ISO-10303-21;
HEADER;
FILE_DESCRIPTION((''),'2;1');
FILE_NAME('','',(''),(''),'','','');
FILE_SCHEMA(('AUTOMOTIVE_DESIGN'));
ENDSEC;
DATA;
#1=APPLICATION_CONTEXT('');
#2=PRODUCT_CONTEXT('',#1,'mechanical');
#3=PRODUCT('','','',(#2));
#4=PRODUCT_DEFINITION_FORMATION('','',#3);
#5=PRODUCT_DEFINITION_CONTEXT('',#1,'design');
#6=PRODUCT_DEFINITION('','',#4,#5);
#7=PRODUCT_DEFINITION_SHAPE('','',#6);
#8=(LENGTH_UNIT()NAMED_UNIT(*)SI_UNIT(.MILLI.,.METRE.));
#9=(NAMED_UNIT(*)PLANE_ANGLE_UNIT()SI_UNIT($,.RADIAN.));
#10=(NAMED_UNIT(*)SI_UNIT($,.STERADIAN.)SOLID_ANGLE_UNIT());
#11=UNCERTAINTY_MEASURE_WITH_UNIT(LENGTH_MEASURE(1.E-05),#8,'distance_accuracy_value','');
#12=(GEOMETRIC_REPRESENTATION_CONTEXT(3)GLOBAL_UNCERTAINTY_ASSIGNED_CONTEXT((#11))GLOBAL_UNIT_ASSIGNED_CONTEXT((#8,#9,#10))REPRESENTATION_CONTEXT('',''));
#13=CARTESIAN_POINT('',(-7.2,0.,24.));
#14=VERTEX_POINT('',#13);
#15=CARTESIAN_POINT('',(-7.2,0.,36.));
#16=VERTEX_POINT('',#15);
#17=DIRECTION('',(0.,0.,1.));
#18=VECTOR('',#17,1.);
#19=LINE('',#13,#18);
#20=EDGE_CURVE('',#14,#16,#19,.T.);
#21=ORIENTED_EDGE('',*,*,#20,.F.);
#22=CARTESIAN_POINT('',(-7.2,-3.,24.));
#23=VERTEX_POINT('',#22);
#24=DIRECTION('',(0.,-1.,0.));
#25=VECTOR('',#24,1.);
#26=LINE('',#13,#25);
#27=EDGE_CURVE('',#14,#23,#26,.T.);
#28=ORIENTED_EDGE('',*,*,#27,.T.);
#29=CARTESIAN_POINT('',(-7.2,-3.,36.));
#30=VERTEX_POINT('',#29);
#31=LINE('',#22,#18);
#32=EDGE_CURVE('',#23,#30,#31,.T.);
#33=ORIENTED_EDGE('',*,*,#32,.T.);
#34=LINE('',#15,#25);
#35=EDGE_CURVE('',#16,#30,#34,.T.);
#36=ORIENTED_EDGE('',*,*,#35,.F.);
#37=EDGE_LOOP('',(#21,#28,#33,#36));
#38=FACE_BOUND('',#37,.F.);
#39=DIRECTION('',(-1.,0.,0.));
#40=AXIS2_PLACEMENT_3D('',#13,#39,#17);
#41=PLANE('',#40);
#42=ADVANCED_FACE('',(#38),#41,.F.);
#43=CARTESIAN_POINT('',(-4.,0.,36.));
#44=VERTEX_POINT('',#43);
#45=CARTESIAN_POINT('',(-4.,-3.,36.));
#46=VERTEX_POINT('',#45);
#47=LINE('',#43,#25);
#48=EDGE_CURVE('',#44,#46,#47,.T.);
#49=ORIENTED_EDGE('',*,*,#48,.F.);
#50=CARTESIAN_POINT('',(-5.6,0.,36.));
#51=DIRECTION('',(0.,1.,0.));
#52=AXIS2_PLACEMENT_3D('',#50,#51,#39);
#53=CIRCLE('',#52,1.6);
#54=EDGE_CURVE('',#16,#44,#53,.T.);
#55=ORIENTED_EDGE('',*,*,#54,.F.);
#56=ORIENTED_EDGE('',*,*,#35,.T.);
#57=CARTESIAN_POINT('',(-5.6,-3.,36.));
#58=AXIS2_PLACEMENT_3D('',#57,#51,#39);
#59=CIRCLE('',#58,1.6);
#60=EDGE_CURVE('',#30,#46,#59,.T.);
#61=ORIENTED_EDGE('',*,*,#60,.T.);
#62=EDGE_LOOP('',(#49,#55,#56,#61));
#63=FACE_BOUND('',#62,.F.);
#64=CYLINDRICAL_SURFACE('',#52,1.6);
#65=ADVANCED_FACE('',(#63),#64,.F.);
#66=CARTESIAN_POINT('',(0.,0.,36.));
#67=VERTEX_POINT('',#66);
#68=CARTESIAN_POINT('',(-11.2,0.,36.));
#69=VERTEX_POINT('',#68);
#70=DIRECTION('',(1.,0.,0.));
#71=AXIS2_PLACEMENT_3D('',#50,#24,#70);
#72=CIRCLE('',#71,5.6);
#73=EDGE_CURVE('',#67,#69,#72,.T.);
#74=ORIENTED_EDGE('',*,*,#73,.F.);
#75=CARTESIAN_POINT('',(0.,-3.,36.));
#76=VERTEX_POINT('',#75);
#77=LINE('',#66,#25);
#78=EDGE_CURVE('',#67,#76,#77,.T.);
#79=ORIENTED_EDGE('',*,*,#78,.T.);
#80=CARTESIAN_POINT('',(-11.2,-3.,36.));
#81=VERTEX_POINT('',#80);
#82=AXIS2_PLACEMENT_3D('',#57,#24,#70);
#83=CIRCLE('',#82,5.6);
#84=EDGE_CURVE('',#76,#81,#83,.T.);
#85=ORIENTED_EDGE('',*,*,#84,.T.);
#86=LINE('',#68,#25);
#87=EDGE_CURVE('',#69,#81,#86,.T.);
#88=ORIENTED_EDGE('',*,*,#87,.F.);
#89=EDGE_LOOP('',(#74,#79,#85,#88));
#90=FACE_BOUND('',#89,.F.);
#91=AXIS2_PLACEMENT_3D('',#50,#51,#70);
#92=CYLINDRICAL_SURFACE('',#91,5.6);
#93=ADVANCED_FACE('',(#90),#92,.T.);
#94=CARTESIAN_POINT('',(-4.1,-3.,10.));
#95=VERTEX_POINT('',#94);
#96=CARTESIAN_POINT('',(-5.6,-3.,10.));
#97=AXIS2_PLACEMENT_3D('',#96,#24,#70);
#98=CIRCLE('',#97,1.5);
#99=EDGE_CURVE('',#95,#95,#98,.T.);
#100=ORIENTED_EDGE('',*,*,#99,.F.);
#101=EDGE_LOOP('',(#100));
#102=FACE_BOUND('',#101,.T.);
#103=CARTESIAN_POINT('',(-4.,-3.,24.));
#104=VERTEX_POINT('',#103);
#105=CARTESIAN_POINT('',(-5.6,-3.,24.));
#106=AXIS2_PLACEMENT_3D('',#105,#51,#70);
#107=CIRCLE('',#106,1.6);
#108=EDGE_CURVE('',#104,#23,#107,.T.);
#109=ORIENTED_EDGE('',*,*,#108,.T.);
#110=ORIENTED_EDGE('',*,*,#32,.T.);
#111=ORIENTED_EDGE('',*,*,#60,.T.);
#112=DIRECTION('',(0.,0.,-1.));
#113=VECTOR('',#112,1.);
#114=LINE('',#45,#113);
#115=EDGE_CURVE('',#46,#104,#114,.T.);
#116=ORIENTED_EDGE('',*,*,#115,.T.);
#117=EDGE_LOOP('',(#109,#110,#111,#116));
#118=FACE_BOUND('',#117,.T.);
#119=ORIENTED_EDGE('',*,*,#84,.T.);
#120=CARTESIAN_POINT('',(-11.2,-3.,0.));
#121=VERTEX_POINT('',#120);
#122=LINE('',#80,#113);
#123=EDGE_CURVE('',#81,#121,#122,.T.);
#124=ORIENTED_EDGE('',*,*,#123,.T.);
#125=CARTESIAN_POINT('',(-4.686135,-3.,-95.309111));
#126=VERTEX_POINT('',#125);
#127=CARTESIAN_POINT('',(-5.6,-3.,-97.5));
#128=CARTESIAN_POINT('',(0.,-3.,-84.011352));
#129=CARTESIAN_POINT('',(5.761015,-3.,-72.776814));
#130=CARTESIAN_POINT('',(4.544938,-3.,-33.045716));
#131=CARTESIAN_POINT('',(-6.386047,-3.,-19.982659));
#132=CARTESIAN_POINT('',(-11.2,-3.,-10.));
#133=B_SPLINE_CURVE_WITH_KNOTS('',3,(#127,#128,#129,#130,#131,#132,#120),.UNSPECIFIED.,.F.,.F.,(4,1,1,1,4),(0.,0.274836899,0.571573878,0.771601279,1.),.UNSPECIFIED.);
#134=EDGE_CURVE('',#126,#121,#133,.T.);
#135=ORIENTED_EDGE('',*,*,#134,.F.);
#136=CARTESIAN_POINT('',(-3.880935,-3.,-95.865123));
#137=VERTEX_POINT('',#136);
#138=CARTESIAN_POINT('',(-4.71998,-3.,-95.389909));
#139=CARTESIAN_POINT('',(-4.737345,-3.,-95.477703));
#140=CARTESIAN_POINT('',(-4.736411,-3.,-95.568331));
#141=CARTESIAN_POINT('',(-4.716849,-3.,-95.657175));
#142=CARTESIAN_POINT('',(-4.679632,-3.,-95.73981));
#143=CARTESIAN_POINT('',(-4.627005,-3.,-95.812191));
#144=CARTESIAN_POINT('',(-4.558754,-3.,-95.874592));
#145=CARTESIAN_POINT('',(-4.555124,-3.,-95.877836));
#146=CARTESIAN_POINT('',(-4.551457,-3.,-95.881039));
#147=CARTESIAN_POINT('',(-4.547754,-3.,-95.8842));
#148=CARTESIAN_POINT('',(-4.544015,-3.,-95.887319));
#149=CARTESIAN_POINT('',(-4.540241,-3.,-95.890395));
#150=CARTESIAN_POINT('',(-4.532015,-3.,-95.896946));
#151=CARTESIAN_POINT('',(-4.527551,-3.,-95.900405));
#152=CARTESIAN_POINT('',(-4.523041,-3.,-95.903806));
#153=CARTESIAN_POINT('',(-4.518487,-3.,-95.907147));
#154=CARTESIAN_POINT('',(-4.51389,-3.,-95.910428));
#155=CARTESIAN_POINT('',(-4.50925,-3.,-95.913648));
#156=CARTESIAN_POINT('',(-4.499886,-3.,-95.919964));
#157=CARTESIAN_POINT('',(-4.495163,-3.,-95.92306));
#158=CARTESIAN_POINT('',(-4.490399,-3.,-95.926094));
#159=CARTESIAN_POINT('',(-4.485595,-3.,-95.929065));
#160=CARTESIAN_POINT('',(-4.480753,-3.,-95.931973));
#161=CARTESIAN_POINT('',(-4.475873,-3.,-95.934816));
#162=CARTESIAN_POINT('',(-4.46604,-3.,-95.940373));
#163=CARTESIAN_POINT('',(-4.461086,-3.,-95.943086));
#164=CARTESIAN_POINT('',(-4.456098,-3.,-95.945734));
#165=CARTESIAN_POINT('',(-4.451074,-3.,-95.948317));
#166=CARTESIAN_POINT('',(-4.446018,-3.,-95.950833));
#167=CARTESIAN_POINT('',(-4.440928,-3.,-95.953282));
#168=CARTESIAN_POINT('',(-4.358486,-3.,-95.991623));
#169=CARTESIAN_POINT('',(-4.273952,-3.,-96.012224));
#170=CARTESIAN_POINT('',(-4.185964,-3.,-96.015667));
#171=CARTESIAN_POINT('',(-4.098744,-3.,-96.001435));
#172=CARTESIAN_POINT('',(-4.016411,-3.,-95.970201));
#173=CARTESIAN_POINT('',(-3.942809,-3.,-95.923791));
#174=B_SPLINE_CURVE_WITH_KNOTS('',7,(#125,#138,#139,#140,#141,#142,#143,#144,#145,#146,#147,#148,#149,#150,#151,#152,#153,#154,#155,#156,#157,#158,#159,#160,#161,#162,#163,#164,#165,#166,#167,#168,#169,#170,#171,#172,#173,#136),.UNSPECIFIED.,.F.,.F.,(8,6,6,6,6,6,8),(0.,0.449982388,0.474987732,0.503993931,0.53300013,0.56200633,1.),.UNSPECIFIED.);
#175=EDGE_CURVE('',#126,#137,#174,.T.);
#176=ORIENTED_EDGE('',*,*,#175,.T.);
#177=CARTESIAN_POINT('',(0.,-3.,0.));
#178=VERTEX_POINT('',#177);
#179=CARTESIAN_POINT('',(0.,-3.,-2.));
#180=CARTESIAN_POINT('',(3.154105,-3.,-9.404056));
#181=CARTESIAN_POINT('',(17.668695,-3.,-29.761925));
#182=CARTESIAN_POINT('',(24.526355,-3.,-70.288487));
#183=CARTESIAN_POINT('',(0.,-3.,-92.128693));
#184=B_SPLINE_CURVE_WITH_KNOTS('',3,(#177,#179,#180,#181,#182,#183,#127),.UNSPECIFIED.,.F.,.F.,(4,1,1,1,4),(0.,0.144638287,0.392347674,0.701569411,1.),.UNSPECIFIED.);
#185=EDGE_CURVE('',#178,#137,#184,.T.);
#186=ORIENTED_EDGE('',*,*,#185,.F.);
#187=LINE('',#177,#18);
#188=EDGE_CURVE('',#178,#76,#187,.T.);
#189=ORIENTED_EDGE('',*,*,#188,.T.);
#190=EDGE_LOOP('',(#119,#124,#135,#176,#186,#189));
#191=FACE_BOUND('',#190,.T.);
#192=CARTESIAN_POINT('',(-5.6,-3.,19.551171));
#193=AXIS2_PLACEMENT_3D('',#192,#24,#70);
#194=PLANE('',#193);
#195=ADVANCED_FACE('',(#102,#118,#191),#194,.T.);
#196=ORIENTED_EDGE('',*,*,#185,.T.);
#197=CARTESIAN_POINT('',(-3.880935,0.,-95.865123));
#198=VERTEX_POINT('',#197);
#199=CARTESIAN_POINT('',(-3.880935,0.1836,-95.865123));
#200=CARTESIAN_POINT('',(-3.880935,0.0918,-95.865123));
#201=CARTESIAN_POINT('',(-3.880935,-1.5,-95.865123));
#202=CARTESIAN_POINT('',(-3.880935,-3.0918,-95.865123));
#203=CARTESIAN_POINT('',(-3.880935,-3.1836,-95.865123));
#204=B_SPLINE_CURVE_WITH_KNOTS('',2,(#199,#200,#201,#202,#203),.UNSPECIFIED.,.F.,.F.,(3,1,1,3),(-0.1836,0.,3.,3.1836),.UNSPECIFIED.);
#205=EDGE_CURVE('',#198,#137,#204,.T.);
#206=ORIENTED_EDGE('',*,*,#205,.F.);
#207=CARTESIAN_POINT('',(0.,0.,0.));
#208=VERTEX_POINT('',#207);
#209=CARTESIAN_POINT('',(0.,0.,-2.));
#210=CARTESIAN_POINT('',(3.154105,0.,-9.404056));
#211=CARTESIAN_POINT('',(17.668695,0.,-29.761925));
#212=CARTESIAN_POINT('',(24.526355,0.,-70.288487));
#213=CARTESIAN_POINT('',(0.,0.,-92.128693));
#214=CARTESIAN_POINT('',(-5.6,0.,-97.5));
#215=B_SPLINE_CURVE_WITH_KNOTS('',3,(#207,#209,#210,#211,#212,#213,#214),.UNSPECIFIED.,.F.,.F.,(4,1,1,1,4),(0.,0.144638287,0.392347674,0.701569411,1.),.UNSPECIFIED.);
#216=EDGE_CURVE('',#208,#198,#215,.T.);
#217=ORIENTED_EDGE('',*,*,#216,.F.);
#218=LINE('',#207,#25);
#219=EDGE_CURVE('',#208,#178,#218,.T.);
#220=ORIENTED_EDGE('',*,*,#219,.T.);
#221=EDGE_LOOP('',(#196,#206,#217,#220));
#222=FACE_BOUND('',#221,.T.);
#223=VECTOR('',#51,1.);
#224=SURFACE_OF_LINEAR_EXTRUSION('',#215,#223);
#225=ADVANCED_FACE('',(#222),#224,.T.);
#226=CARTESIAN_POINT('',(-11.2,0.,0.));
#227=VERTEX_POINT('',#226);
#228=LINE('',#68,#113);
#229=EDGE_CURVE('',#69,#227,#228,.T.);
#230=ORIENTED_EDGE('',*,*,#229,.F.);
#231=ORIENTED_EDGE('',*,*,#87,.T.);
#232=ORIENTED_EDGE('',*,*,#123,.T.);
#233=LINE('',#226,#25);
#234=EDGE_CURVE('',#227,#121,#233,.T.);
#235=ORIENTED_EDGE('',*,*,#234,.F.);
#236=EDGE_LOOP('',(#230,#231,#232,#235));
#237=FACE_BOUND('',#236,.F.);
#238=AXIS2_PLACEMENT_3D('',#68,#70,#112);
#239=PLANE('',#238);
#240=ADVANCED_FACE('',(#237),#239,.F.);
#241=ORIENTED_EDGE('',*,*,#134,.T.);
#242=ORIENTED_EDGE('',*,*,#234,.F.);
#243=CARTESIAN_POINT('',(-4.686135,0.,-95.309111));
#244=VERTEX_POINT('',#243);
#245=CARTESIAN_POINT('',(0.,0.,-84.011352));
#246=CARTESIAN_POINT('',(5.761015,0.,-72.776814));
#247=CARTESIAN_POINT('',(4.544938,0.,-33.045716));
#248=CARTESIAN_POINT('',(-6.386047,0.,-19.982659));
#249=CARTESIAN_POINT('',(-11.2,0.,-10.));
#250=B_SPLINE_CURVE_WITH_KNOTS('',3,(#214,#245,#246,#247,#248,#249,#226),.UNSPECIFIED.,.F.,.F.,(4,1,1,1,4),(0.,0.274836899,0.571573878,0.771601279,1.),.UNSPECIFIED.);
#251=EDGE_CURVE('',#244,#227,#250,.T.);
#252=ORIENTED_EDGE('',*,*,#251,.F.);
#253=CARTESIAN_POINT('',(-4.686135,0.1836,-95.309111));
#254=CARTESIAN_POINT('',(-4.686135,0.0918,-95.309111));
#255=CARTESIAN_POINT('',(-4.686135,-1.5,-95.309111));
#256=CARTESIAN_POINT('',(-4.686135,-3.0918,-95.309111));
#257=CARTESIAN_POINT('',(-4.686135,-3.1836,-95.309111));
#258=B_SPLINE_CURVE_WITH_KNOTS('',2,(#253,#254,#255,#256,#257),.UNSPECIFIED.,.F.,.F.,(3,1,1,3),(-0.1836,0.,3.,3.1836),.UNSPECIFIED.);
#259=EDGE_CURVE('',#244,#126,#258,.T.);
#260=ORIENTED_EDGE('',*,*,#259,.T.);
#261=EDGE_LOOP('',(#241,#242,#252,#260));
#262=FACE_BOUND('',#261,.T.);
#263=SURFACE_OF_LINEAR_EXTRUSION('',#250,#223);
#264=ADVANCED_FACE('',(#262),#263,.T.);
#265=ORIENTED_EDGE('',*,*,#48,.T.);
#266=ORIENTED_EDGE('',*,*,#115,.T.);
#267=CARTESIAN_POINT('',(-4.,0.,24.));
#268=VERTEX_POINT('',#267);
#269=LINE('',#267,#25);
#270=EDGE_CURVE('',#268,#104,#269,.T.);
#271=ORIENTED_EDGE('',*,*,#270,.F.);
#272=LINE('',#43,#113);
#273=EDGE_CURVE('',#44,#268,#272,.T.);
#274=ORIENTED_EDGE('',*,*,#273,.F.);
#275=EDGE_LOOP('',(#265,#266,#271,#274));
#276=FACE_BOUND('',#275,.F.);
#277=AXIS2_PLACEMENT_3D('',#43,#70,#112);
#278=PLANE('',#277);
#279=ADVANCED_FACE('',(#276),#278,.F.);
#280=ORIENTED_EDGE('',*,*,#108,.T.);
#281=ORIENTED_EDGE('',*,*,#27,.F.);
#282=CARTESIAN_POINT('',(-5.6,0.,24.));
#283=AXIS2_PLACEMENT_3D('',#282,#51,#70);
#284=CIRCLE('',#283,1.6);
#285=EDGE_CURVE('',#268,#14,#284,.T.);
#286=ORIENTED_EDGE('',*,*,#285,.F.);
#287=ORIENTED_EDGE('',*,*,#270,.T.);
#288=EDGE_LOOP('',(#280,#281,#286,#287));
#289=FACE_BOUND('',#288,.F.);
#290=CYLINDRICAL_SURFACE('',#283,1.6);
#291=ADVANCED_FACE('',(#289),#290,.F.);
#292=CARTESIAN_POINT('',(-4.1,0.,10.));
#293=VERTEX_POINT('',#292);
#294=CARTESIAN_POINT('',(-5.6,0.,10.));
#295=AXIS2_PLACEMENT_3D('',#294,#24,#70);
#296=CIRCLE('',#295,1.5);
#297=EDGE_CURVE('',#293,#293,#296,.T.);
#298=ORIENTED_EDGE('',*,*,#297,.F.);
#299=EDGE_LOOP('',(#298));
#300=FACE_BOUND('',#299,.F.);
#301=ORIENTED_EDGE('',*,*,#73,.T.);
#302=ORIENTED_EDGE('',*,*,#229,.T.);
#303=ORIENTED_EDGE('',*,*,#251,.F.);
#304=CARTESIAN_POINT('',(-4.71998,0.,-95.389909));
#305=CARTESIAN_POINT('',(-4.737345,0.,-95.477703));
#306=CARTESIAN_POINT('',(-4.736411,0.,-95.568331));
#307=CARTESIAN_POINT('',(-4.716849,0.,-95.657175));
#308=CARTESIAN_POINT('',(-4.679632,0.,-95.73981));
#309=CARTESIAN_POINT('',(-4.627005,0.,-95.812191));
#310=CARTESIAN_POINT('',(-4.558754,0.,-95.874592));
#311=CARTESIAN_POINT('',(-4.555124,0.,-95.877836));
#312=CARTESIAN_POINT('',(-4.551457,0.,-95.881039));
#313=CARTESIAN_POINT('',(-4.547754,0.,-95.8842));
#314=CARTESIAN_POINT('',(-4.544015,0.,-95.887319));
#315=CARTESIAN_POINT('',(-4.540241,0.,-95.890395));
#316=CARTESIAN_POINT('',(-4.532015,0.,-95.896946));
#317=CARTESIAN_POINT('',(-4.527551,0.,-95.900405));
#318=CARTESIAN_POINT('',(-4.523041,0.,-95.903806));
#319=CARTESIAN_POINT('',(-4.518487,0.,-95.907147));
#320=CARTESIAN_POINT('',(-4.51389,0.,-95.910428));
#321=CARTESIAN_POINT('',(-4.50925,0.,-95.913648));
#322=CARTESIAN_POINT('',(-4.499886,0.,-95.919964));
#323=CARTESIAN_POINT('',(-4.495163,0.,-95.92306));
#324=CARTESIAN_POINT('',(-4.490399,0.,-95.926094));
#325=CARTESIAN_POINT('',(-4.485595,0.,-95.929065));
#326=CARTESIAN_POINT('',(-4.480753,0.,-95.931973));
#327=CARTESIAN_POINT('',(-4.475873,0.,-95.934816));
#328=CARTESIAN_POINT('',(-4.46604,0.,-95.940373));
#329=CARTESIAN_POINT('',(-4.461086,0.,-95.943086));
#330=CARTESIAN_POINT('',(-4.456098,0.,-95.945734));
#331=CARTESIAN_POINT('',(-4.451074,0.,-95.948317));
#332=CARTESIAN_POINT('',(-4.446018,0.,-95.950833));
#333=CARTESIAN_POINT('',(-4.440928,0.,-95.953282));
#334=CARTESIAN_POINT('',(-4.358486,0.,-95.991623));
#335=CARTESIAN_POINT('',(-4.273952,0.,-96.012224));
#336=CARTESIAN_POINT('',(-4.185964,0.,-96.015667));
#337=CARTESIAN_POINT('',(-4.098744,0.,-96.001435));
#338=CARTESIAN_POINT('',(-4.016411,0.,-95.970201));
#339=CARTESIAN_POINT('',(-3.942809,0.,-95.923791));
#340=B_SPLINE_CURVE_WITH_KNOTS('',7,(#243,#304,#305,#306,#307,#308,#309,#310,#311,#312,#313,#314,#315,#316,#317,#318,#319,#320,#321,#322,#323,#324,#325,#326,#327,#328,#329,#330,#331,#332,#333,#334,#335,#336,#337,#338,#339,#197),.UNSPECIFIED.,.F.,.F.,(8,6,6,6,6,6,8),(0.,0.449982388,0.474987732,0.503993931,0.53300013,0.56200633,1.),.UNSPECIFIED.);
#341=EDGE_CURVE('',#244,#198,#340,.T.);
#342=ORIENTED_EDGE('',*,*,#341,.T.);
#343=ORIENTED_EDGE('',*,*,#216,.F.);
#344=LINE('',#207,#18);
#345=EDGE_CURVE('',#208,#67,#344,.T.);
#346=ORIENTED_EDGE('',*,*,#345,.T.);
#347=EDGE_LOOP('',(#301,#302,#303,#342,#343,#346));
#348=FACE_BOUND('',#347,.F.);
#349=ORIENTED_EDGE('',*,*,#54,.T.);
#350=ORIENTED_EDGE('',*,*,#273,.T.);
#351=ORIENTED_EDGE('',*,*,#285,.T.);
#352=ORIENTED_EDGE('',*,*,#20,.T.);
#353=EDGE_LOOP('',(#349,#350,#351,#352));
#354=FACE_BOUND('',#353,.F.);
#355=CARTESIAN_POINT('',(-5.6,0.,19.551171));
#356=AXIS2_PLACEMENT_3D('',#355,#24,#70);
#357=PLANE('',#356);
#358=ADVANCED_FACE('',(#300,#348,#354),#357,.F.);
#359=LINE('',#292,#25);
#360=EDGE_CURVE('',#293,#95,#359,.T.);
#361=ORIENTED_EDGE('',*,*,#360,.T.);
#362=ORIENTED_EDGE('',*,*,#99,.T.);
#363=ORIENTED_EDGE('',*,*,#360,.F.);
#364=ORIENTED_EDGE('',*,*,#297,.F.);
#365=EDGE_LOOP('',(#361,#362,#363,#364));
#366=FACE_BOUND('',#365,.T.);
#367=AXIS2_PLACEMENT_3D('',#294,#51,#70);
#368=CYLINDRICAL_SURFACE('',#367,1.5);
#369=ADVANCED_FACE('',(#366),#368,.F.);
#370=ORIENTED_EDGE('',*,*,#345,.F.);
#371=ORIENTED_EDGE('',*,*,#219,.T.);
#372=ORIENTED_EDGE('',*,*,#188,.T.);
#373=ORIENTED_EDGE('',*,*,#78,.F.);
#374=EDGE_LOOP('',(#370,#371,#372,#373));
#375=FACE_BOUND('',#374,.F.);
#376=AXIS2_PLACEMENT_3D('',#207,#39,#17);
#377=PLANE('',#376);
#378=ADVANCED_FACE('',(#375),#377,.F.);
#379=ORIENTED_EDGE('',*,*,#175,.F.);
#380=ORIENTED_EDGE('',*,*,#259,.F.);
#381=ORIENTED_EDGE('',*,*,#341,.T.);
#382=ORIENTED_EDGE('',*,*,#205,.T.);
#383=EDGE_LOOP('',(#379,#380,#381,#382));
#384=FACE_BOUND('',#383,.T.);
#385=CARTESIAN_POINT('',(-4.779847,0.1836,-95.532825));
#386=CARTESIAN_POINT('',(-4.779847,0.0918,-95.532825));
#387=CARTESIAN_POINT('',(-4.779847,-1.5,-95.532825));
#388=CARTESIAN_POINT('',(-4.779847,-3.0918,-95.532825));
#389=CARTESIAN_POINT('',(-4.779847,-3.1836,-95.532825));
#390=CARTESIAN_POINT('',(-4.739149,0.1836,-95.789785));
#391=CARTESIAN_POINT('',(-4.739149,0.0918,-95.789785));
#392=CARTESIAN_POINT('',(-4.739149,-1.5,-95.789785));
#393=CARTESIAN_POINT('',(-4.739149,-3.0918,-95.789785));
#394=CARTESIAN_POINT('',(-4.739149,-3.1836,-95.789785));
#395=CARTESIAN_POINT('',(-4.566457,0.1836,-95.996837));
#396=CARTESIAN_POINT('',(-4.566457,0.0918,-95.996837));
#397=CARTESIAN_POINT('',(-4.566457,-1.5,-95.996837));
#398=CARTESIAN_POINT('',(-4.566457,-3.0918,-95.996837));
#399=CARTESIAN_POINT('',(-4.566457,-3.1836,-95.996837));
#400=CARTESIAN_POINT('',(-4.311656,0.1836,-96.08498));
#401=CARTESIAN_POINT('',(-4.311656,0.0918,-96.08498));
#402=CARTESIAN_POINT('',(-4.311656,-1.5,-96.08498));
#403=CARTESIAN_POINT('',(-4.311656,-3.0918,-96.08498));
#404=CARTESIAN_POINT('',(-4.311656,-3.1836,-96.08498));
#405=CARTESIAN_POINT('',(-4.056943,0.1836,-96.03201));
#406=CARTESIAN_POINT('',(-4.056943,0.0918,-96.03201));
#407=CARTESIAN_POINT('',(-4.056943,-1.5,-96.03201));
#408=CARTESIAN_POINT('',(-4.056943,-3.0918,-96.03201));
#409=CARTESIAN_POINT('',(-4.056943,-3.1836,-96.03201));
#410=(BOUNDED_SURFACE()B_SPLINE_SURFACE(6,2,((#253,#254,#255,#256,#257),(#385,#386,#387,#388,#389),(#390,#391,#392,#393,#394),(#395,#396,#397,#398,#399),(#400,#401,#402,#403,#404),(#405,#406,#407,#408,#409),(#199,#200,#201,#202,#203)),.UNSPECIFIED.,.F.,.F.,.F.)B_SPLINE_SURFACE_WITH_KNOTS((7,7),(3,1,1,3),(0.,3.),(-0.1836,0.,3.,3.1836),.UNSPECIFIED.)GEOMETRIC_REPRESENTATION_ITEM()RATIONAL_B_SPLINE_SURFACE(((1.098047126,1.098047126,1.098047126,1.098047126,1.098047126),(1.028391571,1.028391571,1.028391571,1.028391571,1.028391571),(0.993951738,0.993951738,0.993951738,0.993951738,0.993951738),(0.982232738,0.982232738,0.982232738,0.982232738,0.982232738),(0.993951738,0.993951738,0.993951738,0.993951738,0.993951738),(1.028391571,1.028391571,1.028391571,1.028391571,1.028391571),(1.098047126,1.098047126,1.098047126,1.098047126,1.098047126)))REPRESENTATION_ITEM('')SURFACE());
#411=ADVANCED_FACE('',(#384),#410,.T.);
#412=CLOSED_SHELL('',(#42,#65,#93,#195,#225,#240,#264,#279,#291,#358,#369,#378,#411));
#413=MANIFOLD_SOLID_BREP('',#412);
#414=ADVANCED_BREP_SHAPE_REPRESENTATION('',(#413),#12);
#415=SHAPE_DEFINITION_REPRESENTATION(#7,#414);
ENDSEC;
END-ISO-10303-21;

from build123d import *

# Parameters (mm, degrees)
F0_R     = 1.5
F1_DEPTH = 3
F2_R     = 0.5


with BuildPart() as f1:
    # F0 (on Front) → F1 (new body)
    with BuildSketch(Plane.XZ):
        with BuildLine():
            Line((0, 0), (0, 36))
            ThreePointArc((0, 36), (-5.6, 41.6), (-11.2, 36))
            Line((-11.2, 36), (-11.2, 0))
            Line((-11.2, 0), (0, 0))
        make_face()
        with Locations((-5.6, 10)):
            Circle(F0_R, mode=Mode.SUBTRACT)
        with BuildLine():
            ThreePointArc((-4, 24), (-5.6, 22.4), (-7.2, 24))
            Line((-7.2, 24), (-7.2, 36))
            ThreePointArc((-7.2, 36), (-5.6, 37.6), (-4, 36))
            Line((-4, 36), (-4, 24))
        make_face(mode=Mode.SUBTRACT)
        with BuildLine():
            add(Edge.make_bspline(
                [(0, 0), (0, -2), (3.1541045196, -9.4040558016), (17.6686951017, -29.7619249068), (24.5263545515, -70.2884872842), (0, -92.1286925129), (-5.6, -97.5)],
                knots=[0, 0, 0, 0, 0.1446382869, 0.3923476742, 0.7015694111, 1, 1, 1, 1], degree=3))
            Line((0, 0), (-11.2, 0))
            add(Edge.make_bspline(
                [(-5.6, -97.5), (0, -84.0113517398), (5.7610152741, -72.7768138304), (4.5449377173, -33.0457161168), (-6.3860474236, -19.9826587077), (-11.2, -10), (-11.2, 0)],
                knots=[0, 0, 0, 0, 0.2748368988, 0.5715738779, 0.7716012788, 1, 1, 1, 1], degree=3))
        make_face()
    extrude(amount=F1_DEPTH)

    # F2
    f2_edges = [f1.edges().sort_by_distance(p)[0] for p in [
        (-5.6, -1.5, -97.5),
    ]]
    fillet(f2_edges, radius=F2_R)


solid = f1.part
